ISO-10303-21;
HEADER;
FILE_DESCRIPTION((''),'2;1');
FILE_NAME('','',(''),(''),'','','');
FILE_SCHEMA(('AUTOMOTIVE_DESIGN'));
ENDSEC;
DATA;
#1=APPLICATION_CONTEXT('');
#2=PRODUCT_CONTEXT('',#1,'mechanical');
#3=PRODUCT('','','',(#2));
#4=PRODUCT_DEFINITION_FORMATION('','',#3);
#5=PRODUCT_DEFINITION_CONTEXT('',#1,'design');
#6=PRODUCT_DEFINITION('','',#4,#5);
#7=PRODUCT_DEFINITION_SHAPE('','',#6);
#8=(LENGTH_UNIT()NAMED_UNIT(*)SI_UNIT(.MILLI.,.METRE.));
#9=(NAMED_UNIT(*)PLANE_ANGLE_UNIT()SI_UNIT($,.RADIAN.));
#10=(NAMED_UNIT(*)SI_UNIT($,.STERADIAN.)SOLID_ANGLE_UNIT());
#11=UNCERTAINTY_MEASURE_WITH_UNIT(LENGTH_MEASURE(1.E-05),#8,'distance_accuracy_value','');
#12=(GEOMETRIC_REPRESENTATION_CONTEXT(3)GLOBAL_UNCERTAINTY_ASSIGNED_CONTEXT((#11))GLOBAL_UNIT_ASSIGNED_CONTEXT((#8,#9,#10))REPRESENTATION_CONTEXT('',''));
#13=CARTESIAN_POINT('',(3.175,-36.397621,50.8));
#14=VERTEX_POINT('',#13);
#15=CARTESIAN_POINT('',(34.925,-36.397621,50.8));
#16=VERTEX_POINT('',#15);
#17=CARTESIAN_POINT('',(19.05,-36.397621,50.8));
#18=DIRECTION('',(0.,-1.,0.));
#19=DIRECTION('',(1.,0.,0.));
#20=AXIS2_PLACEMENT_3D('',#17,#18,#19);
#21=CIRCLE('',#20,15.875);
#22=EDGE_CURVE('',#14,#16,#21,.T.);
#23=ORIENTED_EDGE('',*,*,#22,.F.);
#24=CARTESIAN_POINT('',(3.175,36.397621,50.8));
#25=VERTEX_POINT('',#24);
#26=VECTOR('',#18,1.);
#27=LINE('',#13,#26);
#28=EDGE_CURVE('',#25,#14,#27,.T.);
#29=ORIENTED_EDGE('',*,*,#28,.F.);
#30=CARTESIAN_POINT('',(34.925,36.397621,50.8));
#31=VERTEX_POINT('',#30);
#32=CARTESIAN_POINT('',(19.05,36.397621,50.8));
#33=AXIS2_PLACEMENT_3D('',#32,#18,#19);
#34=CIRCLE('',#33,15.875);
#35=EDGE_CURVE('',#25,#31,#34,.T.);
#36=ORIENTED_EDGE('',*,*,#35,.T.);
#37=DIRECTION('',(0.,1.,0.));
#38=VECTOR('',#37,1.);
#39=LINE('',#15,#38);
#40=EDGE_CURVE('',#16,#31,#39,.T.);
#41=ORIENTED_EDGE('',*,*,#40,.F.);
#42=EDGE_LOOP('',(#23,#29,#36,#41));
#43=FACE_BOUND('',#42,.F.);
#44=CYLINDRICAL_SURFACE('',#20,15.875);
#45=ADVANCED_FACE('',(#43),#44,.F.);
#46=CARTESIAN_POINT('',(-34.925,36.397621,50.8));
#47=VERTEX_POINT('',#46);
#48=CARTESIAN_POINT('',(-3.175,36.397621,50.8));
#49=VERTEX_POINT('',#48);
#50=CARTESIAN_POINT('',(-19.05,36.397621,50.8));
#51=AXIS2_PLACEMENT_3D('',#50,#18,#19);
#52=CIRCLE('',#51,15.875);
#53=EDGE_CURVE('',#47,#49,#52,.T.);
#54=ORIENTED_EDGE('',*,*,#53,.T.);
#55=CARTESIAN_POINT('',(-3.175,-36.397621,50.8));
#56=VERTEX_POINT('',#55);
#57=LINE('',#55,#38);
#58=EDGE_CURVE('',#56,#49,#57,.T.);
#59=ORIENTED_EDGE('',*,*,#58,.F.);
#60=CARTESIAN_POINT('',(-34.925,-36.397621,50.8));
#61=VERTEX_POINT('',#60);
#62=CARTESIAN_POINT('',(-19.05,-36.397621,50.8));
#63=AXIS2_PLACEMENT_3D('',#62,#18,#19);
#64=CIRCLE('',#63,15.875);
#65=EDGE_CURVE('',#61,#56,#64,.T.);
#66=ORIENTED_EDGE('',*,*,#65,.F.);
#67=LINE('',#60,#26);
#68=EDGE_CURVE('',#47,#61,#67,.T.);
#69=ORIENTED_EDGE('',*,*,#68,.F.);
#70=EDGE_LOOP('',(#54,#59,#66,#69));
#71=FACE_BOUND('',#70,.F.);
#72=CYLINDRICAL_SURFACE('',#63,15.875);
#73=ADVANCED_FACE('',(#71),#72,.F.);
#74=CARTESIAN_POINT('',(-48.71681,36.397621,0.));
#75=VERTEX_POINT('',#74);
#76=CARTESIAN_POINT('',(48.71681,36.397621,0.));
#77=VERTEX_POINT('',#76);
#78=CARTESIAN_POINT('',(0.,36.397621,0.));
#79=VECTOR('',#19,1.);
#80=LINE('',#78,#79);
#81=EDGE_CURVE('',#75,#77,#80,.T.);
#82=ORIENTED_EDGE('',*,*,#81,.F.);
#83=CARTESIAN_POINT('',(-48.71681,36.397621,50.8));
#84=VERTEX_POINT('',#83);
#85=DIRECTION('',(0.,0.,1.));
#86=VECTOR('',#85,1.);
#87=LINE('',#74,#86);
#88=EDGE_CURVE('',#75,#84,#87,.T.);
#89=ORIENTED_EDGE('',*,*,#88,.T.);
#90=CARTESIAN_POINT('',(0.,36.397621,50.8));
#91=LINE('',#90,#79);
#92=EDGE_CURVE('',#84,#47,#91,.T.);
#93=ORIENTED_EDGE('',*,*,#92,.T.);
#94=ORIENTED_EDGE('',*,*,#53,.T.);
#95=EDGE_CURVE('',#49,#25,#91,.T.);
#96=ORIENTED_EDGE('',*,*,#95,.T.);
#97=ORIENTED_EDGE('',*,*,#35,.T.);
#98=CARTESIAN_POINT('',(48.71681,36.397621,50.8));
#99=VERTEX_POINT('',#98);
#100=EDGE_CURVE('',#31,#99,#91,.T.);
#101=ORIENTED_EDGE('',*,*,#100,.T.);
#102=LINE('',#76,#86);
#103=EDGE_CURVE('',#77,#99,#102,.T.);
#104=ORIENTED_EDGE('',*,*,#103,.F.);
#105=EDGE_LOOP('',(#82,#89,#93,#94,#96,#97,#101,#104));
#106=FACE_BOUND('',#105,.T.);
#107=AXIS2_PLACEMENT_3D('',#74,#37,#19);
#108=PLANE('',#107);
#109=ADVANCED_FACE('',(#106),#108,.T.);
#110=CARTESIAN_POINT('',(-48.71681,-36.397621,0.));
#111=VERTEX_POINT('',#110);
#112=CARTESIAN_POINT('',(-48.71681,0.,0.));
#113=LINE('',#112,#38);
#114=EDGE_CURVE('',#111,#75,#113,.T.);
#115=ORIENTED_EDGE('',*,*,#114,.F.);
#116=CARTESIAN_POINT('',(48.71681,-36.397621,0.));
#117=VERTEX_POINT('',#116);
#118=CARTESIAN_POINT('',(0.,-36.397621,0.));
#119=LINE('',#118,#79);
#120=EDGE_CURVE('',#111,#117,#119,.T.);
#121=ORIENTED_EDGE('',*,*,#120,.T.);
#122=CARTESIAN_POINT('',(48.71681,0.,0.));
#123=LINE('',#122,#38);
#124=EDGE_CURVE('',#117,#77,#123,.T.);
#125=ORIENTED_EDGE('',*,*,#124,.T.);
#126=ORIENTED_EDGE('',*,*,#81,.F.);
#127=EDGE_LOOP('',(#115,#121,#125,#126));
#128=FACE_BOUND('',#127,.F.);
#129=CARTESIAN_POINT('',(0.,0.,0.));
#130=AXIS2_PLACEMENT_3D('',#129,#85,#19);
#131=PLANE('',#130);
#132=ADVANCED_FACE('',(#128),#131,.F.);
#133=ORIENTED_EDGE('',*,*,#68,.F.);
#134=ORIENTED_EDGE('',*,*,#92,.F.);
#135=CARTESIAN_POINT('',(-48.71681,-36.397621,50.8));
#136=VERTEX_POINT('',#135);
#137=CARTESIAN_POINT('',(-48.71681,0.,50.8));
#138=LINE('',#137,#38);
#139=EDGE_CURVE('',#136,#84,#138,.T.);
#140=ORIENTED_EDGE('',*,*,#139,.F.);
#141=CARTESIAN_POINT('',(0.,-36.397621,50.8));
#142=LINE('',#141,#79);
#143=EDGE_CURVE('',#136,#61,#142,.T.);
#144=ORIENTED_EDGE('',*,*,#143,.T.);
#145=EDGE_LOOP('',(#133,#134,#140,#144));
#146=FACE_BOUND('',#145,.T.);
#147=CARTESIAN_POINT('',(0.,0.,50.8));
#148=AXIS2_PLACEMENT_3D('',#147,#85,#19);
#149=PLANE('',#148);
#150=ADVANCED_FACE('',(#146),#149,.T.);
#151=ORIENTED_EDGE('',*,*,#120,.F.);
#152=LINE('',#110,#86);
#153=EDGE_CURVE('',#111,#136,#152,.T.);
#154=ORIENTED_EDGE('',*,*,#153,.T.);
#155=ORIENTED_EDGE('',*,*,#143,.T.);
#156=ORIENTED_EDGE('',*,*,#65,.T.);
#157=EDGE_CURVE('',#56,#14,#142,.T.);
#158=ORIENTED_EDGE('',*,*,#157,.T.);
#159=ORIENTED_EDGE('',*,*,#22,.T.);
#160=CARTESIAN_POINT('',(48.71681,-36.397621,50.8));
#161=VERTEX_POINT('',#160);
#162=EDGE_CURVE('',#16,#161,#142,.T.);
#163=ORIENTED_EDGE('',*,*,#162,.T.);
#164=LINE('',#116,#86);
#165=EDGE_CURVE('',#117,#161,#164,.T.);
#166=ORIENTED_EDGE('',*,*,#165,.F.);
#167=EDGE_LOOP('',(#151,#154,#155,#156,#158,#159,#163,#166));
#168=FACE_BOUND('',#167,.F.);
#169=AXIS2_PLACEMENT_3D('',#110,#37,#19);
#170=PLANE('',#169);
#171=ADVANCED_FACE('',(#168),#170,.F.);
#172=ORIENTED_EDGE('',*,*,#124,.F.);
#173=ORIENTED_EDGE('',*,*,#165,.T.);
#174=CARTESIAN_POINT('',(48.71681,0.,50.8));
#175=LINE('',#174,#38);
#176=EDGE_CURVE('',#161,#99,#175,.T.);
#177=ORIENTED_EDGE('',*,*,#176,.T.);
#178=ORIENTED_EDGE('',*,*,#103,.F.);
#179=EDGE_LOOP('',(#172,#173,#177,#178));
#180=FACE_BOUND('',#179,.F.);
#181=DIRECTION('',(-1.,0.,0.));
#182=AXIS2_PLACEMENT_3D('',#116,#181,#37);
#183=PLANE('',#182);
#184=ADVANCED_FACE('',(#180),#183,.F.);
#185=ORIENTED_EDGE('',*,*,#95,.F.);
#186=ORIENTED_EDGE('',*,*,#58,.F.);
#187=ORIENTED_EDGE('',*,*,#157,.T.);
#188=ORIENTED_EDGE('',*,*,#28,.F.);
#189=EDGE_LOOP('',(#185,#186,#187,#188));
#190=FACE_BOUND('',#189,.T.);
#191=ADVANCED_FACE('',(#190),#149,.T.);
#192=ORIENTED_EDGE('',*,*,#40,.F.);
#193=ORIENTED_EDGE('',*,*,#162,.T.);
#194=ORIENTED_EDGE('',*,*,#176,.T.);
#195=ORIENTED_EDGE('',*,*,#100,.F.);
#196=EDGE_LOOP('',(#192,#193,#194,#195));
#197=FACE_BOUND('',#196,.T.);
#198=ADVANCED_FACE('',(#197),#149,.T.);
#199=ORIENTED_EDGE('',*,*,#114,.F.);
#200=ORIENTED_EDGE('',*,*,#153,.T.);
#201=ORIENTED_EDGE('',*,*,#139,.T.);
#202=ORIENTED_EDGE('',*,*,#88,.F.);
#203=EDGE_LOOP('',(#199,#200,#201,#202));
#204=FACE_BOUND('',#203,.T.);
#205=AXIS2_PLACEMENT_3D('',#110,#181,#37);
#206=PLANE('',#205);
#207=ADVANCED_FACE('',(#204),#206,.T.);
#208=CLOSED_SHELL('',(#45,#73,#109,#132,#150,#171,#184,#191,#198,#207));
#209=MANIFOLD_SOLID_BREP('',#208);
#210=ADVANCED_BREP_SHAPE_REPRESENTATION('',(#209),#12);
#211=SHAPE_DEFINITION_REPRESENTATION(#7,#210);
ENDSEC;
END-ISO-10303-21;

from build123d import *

# Parameters (mm, degrees)
F0_W     = 97.43362
F0_H     = 72.795242
F1_DEPTH = 50.8
F2_R     = 15.875
F3_DEPTH = 72.796242


with BuildPart() as f1:
    # F0 (on Top) → F1 (new body)
    with BuildSketch(Plane.XY):
        Rectangle(F0_W, F0_H)
    extrude(amount=F1_DEPTH)

    # F2 (on face) → F3 (cut, through all)
    with BuildSketch(Plane.XZ.offset(36.397621)):
        with Locations((-19.05, 50.8)):
            Circle(F2_R)
        with Locations((19.05, 50.8)):
            Circle(F2_R)
    extrude(amount=-F3_DEPTH, mode=Mode.SUBTRACT)


solid = f1.part
